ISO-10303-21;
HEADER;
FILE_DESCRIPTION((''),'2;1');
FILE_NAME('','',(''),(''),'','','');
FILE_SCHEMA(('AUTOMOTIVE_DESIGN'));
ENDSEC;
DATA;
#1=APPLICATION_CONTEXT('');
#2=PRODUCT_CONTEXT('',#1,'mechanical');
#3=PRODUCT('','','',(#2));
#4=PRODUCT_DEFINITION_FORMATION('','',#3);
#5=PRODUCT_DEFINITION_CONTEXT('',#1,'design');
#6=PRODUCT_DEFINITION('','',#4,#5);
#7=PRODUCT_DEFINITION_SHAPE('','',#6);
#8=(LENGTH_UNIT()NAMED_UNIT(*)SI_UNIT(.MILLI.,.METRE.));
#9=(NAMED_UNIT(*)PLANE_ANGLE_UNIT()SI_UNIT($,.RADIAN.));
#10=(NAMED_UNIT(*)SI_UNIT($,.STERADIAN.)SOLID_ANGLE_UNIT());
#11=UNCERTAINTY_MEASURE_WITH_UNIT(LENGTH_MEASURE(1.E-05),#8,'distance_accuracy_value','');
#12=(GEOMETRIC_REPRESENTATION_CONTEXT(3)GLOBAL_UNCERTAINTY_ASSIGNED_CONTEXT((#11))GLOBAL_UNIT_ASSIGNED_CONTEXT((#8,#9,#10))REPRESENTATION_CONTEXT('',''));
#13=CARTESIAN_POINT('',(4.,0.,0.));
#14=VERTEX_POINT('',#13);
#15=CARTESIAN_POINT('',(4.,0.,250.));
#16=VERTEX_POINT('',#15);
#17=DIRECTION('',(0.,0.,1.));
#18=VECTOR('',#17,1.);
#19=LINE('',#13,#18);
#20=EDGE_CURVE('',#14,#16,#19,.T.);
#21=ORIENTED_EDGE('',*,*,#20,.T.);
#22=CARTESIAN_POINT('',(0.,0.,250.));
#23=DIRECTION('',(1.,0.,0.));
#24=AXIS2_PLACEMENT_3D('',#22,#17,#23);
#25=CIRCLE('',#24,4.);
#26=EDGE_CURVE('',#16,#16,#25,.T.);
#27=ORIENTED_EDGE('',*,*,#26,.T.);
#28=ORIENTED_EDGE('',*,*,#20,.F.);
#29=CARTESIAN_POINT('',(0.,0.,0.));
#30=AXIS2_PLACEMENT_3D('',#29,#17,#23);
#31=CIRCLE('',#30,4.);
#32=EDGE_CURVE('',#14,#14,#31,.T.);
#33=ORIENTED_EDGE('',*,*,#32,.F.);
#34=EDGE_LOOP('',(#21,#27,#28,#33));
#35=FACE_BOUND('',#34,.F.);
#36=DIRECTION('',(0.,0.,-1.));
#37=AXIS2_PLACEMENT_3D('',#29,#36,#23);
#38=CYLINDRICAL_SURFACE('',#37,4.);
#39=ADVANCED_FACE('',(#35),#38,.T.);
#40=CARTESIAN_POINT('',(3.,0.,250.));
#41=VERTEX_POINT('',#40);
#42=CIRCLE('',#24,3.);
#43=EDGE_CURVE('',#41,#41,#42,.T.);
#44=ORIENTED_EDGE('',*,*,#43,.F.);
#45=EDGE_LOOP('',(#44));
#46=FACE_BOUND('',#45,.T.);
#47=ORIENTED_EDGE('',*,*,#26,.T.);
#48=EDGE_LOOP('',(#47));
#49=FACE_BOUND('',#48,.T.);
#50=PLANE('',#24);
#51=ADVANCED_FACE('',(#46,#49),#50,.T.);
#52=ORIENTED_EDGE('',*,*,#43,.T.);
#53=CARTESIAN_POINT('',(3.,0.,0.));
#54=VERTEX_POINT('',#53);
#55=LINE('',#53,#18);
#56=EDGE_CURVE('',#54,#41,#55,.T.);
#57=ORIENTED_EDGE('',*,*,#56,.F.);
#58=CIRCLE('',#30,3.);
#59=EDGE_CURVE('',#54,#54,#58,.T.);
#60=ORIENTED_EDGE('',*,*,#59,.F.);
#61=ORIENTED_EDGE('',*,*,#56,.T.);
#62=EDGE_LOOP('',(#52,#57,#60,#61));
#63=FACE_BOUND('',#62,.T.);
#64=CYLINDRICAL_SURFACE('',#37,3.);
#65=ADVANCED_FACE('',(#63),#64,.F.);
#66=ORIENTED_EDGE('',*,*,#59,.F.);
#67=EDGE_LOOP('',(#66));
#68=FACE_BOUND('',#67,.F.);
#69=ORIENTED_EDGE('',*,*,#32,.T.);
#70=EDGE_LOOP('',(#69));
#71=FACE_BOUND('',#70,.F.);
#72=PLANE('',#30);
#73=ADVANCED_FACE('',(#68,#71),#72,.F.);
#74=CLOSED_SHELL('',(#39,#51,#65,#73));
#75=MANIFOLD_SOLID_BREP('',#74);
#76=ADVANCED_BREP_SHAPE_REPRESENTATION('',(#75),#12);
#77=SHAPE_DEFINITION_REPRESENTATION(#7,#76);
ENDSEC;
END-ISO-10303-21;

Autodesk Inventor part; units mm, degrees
ref_plane "YZ Plane" through (0, 0, 0) normal (1, 0, 0) x (0, 1, 0)
ref_plane "XZ Plane" through (0, 0, 0) normal (0, 1, 0) x (-1, 0, 0)
ref_plane "XY Plane" through (0, 0, 0) normal (0, 0, 1) x (1, 0, 0)
sketch "Sketch1" plane through (0, 0, 0) normal (0, 0, 1) x (1, 0, 0)
  circle A0 centre (0, 0) radius 4
  circle A1 centre (0, 0) radius 3
  dimension "d0" = 8
  dimension "d1" = 6
extrude "Extrusion1" add sketch "Sketch1" along normal blind 250
equation "\"d2\" = length"
equation "\"length\" = 250"
properties part number "aluminium_bar_D8_L250" material "Aluminum 6061"
